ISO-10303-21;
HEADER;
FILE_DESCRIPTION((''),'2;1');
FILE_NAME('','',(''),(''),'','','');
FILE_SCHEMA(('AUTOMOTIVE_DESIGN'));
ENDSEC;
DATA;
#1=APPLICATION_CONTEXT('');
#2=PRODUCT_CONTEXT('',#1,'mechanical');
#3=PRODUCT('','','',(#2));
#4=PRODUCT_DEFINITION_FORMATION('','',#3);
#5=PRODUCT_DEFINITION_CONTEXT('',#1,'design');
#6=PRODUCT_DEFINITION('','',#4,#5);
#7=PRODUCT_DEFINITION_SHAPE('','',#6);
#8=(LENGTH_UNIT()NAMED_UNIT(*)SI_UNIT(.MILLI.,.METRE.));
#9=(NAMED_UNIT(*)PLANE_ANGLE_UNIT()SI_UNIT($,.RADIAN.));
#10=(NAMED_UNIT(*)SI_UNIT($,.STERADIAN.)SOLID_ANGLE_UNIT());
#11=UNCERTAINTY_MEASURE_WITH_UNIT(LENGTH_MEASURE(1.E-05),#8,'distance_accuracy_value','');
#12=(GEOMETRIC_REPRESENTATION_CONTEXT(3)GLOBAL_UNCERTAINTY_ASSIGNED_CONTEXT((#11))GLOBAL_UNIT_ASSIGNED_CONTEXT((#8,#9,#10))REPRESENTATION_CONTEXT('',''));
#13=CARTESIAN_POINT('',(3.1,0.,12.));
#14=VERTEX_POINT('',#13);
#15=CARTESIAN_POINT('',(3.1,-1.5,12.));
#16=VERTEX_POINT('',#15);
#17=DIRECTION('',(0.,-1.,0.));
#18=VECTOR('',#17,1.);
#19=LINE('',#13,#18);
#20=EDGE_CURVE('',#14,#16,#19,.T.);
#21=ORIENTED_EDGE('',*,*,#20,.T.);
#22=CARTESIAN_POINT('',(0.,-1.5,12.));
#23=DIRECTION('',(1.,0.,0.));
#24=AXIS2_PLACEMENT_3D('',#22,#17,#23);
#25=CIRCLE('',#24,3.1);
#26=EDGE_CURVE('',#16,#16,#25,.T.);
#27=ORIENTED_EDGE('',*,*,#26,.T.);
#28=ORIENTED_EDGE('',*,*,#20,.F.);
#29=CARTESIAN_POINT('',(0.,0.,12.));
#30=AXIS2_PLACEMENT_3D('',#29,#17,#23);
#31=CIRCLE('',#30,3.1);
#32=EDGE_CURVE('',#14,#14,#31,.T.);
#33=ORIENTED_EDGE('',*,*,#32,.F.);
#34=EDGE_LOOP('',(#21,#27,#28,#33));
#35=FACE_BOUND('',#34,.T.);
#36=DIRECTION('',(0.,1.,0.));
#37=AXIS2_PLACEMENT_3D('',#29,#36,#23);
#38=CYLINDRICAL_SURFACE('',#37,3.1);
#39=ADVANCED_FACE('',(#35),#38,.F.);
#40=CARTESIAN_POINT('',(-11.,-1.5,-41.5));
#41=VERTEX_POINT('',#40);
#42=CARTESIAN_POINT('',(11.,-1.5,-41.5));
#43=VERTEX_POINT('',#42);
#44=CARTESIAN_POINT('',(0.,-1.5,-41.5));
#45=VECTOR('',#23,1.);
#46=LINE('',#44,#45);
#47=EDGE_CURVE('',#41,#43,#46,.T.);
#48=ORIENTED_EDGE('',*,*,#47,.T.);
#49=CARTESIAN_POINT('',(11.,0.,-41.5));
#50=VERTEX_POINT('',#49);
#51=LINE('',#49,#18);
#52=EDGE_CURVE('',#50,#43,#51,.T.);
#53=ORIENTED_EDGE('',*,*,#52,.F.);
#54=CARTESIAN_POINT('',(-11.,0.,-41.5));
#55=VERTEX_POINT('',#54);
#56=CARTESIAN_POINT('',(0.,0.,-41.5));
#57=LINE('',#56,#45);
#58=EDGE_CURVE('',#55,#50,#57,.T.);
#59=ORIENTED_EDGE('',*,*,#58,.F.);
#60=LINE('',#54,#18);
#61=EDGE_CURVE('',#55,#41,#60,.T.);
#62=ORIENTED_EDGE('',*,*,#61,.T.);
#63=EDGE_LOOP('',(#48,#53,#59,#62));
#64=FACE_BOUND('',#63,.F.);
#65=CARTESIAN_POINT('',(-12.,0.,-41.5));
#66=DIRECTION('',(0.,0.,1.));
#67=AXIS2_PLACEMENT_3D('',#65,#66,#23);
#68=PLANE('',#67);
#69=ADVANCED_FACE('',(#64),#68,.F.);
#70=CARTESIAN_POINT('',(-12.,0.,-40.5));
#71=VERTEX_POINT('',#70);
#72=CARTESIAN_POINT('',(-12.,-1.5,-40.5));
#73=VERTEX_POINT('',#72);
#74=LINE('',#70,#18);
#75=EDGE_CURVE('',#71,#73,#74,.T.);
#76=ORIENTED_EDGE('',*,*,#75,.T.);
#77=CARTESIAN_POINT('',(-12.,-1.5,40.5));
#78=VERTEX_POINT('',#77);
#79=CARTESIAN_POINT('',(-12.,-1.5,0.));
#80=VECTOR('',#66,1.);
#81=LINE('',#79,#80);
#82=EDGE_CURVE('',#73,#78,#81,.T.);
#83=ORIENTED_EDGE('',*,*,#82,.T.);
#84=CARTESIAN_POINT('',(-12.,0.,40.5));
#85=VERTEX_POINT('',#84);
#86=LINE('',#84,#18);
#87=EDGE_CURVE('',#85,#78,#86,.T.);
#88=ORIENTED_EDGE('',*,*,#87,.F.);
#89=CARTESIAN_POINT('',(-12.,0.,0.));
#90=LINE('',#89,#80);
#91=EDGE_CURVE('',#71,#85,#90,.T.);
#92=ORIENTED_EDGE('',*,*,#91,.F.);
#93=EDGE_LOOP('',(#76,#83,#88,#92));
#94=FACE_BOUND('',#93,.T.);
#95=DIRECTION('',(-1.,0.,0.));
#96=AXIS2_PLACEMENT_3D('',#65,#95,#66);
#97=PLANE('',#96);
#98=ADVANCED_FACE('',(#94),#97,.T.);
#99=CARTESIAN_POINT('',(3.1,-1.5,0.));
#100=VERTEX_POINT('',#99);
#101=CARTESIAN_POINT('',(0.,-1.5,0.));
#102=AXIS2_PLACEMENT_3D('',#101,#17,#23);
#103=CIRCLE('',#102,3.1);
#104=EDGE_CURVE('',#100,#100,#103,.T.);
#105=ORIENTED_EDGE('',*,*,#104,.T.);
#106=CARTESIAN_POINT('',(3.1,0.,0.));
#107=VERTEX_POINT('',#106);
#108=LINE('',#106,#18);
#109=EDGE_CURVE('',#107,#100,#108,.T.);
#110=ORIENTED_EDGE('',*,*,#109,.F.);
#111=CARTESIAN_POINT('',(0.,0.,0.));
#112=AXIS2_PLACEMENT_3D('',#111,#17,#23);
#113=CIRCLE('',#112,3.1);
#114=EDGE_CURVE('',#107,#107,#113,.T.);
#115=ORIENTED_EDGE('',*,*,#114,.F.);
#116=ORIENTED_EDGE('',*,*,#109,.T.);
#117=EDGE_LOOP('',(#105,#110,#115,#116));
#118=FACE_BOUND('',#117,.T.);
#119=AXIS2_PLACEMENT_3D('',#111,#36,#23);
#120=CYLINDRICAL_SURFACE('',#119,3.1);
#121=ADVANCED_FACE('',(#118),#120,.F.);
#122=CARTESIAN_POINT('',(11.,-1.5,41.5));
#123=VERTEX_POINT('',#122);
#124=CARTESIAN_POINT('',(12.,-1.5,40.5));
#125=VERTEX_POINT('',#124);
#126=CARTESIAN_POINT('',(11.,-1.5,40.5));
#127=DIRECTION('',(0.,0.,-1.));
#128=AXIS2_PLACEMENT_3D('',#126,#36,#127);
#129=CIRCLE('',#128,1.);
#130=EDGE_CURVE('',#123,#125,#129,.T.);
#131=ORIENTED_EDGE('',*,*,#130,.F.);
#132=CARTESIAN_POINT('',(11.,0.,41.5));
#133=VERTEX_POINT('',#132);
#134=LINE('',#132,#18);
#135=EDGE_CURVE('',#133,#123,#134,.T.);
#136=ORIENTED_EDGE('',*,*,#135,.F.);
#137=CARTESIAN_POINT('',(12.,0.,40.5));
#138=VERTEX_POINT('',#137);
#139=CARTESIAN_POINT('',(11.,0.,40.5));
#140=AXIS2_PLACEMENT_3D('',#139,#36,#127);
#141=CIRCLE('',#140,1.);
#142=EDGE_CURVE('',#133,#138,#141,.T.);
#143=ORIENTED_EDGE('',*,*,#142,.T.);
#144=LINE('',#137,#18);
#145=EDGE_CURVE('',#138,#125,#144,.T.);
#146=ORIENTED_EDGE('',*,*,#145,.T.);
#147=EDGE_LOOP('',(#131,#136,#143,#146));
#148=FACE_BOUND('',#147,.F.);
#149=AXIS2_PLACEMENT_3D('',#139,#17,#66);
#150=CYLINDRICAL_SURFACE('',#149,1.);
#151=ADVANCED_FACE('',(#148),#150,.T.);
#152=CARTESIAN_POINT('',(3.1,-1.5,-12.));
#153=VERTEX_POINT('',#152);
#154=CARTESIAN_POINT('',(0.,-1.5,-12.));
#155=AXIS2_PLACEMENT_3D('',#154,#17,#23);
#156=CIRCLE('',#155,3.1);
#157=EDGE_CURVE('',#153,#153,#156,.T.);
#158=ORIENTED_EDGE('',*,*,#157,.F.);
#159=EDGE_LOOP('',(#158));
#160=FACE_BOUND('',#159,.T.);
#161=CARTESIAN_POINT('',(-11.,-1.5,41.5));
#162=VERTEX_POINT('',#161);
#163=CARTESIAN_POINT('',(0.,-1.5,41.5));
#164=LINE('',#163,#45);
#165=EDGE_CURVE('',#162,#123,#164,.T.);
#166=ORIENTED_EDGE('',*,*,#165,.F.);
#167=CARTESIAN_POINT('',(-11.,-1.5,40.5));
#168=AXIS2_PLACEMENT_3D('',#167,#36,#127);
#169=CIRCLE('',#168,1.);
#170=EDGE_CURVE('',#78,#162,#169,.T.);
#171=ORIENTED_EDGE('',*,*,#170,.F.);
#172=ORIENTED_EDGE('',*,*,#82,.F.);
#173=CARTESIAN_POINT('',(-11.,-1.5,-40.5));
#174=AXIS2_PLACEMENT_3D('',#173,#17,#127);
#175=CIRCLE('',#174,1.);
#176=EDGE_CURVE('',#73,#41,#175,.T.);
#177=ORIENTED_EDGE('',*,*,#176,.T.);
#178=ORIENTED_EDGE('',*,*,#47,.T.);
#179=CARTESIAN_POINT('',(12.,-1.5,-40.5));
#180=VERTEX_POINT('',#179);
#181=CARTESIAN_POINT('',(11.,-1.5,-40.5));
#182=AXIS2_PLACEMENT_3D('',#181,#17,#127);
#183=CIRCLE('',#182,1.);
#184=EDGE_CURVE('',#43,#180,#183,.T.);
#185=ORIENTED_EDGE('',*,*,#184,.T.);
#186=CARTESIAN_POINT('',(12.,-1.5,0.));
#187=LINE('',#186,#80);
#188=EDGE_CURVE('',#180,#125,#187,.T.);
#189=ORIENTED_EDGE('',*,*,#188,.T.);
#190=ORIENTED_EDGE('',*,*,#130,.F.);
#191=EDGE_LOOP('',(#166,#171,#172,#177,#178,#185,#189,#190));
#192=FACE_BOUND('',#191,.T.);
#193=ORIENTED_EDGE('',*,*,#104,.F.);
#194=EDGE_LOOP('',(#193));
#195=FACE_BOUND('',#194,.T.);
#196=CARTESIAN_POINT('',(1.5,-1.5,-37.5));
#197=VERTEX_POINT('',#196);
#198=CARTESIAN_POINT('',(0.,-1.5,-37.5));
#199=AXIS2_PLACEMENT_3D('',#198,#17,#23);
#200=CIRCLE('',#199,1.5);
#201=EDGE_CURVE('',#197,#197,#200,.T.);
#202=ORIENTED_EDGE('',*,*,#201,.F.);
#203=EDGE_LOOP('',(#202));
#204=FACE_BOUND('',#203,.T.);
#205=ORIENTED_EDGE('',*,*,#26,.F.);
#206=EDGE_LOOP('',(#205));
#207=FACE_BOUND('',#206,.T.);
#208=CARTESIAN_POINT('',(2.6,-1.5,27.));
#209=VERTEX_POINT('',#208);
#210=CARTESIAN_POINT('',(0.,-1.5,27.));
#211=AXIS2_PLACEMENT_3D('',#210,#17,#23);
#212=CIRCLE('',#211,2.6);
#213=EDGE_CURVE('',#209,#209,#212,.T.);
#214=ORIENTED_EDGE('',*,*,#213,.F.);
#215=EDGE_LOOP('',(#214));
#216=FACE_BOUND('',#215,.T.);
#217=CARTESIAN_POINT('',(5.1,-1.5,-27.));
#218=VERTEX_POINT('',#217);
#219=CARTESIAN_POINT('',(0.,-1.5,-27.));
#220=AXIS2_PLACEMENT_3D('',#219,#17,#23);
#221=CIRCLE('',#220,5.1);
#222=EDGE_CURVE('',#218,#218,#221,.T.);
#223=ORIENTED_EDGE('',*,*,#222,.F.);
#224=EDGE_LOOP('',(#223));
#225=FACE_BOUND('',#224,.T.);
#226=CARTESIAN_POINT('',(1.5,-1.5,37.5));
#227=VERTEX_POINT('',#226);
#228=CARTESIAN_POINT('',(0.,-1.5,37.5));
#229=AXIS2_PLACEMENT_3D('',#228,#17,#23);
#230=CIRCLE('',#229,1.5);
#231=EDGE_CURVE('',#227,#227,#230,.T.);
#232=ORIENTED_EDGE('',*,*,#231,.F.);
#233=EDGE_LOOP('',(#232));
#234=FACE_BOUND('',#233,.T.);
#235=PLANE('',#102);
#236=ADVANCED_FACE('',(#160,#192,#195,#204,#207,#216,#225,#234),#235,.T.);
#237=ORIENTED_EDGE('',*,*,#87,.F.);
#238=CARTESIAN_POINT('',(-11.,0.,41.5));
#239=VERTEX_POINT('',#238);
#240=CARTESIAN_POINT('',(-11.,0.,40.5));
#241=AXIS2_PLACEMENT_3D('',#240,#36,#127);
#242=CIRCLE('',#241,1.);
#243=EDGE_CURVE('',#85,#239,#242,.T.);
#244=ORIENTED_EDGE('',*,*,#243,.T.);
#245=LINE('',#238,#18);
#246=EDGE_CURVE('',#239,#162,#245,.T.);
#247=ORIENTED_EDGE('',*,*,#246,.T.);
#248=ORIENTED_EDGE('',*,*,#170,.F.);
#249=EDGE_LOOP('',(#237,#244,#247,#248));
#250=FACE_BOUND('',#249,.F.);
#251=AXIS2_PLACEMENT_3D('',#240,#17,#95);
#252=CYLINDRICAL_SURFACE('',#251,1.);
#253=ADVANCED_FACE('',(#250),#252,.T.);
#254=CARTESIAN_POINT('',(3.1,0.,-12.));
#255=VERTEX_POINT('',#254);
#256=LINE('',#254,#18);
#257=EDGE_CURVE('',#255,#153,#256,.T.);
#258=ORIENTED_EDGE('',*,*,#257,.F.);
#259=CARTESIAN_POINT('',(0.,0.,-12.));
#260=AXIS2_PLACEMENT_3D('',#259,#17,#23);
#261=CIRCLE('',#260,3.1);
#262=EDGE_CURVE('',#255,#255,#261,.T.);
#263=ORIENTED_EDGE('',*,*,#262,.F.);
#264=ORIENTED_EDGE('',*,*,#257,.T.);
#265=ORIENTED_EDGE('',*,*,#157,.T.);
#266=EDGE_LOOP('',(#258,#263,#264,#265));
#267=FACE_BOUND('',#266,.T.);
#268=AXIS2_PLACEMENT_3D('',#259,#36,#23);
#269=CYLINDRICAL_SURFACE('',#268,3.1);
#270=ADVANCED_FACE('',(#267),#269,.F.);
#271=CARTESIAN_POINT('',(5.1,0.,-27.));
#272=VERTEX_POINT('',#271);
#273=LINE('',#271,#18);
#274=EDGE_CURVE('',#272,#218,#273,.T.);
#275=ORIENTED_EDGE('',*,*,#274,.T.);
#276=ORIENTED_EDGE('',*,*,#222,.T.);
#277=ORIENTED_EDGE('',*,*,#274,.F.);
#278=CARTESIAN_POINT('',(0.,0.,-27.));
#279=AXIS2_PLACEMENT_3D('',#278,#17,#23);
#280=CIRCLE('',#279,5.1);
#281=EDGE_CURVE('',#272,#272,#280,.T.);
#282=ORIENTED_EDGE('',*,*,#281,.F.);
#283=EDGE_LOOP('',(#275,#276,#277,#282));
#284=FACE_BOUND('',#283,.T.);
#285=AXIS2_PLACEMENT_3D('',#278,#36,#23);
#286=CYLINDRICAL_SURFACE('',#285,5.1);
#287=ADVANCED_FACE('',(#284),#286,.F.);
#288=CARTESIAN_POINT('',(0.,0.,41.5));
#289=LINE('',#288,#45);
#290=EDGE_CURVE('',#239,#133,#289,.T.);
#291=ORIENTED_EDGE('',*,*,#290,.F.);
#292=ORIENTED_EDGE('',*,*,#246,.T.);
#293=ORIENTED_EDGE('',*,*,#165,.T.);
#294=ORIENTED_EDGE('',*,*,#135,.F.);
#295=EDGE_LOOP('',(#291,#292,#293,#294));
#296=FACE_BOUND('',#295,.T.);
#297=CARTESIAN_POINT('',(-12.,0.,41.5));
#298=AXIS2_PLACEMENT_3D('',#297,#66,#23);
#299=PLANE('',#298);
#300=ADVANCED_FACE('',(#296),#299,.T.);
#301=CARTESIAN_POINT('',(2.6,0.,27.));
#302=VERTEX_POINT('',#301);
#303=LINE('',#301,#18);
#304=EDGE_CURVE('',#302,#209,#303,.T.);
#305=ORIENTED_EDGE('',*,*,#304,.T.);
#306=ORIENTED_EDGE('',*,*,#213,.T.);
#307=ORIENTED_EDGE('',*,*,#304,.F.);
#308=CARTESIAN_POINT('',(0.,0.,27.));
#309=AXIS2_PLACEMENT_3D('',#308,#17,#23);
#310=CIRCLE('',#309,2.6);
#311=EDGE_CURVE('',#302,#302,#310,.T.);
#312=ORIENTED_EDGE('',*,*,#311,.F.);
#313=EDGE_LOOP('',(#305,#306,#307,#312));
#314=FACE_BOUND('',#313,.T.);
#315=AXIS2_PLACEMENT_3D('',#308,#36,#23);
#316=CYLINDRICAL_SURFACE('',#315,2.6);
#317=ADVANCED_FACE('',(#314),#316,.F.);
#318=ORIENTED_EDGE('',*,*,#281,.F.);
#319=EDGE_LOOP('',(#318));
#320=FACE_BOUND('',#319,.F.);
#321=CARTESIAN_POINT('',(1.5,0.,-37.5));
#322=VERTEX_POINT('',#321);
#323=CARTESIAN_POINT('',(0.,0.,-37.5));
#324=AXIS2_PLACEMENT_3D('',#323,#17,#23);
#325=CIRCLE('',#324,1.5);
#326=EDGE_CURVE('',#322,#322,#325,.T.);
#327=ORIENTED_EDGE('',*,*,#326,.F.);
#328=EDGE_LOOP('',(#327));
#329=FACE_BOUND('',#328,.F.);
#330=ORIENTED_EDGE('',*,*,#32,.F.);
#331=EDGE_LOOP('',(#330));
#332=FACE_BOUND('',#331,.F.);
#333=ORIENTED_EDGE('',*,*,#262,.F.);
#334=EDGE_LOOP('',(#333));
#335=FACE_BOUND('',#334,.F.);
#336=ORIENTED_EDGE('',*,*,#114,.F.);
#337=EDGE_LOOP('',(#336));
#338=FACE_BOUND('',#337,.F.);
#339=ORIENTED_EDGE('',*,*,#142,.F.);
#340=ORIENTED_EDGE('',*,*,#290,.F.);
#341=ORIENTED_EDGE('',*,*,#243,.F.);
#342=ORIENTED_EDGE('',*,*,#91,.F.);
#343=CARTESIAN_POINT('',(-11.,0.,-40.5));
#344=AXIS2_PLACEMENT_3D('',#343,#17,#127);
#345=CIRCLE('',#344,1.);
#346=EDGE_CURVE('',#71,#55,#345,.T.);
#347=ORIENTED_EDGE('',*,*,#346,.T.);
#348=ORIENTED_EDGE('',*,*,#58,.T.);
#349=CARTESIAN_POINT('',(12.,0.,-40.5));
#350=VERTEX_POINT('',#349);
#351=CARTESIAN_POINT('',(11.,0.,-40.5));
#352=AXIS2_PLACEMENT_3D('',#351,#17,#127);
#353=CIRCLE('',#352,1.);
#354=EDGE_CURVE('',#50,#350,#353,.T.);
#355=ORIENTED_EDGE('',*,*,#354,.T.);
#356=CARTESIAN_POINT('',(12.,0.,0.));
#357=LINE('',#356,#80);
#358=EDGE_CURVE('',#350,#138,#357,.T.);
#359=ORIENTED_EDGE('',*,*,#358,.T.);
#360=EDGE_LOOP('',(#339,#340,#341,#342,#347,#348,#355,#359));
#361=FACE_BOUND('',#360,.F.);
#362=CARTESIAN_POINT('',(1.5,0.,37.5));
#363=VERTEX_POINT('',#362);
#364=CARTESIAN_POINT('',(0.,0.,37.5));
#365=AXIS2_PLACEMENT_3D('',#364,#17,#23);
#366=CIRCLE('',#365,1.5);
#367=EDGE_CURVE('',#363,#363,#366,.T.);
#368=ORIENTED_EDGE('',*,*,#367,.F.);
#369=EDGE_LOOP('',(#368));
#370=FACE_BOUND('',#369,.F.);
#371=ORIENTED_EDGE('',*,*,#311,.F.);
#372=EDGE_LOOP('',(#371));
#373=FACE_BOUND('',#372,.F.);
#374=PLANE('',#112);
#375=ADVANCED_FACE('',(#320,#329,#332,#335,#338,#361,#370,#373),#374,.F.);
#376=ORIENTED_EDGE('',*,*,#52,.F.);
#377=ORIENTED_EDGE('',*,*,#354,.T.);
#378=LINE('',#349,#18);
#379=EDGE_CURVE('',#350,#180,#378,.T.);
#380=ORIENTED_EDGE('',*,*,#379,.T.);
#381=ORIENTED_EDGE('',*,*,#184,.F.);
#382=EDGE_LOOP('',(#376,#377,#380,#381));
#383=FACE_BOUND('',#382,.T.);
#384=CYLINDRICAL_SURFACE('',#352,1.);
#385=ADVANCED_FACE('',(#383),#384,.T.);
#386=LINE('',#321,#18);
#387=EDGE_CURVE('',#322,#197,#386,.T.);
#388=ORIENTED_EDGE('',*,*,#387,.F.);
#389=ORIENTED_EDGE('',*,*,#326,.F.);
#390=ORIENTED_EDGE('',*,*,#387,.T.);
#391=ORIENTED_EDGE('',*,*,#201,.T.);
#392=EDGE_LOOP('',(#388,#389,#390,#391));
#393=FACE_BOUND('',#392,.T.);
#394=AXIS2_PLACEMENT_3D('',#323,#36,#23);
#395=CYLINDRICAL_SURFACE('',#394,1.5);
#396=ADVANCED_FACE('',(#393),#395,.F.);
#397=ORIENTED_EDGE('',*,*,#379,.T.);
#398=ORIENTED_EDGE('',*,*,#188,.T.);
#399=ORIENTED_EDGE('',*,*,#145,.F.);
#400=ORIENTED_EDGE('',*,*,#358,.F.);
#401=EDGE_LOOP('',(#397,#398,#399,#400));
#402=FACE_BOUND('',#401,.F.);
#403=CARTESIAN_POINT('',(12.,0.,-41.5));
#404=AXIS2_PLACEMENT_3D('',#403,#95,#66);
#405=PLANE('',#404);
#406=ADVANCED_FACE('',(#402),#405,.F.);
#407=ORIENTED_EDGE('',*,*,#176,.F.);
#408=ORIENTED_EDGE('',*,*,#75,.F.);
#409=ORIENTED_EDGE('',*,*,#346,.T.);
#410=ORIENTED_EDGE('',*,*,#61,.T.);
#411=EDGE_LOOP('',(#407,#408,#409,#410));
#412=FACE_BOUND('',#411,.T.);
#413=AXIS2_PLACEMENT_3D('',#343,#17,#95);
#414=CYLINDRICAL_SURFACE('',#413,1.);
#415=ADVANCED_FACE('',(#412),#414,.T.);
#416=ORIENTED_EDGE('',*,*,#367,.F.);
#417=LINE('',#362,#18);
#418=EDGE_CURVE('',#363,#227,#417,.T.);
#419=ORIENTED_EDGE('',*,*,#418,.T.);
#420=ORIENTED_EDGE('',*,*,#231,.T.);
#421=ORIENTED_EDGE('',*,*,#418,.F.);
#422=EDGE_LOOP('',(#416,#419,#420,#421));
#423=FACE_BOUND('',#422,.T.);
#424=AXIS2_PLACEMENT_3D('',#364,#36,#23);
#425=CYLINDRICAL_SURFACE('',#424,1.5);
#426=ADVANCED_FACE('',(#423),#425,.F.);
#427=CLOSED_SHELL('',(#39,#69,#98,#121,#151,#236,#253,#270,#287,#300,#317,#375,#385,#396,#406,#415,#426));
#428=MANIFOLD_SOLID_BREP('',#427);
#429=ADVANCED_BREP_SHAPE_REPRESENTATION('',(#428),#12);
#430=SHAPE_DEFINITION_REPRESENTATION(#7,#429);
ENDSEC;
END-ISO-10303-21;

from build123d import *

# Parameters (mm, degrees)
F0_W     = 24
F0_H     = 83
F0_R     = 1.5
F0_R_2   = 5.1
F0_R_3   = 3.1
F0_R_4   = 2.6
F1_DEPTH = 1.5
F2_R     = 1


with BuildPart() as f1:
    # F0 (on Front) → F1 (new body)
    with BuildSketch(Plane.XZ):
        Rectangle(F0_W, F0_H)
        with Locations((0, -37.5)):
            Circle(F0_R, mode=Mode.SUBTRACT)
        with Locations((0, -27)):
            Circle(F0_R_2, mode=Mode.SUBTRACT)
        with Locations((0, -12)):
            Circle(F0_R_3, mode=Mode.SUBTRACT)
        Circle(F0_R_3, mode=Mode.SUBTRACT)
        with Locations((0, 12)):
            Circle(F0_R_3, mode=Mode.SUBTRACT)
        with Locations((0, 27)):
            Circle(F0_R_4, mode=Mode.SUBTRACT)
        with Locations((0, 37.5)):
            Circle(F0_R, mode=Mode.SUBTRACT)
    extrude(amount=F1_DEPTH)

    # F2
    f2_edges = [f1.edges().sort_by_distance(p)[0] for p in [
        (-12, -0.75, 41.5),
        (12, -0.75, 41.5),
        (12, -0.75, -41.5),
        (-12, -0.75, -41.5),
    ]]
    fillet(f2_edges, radius=F2_R)


solid = f1.part
